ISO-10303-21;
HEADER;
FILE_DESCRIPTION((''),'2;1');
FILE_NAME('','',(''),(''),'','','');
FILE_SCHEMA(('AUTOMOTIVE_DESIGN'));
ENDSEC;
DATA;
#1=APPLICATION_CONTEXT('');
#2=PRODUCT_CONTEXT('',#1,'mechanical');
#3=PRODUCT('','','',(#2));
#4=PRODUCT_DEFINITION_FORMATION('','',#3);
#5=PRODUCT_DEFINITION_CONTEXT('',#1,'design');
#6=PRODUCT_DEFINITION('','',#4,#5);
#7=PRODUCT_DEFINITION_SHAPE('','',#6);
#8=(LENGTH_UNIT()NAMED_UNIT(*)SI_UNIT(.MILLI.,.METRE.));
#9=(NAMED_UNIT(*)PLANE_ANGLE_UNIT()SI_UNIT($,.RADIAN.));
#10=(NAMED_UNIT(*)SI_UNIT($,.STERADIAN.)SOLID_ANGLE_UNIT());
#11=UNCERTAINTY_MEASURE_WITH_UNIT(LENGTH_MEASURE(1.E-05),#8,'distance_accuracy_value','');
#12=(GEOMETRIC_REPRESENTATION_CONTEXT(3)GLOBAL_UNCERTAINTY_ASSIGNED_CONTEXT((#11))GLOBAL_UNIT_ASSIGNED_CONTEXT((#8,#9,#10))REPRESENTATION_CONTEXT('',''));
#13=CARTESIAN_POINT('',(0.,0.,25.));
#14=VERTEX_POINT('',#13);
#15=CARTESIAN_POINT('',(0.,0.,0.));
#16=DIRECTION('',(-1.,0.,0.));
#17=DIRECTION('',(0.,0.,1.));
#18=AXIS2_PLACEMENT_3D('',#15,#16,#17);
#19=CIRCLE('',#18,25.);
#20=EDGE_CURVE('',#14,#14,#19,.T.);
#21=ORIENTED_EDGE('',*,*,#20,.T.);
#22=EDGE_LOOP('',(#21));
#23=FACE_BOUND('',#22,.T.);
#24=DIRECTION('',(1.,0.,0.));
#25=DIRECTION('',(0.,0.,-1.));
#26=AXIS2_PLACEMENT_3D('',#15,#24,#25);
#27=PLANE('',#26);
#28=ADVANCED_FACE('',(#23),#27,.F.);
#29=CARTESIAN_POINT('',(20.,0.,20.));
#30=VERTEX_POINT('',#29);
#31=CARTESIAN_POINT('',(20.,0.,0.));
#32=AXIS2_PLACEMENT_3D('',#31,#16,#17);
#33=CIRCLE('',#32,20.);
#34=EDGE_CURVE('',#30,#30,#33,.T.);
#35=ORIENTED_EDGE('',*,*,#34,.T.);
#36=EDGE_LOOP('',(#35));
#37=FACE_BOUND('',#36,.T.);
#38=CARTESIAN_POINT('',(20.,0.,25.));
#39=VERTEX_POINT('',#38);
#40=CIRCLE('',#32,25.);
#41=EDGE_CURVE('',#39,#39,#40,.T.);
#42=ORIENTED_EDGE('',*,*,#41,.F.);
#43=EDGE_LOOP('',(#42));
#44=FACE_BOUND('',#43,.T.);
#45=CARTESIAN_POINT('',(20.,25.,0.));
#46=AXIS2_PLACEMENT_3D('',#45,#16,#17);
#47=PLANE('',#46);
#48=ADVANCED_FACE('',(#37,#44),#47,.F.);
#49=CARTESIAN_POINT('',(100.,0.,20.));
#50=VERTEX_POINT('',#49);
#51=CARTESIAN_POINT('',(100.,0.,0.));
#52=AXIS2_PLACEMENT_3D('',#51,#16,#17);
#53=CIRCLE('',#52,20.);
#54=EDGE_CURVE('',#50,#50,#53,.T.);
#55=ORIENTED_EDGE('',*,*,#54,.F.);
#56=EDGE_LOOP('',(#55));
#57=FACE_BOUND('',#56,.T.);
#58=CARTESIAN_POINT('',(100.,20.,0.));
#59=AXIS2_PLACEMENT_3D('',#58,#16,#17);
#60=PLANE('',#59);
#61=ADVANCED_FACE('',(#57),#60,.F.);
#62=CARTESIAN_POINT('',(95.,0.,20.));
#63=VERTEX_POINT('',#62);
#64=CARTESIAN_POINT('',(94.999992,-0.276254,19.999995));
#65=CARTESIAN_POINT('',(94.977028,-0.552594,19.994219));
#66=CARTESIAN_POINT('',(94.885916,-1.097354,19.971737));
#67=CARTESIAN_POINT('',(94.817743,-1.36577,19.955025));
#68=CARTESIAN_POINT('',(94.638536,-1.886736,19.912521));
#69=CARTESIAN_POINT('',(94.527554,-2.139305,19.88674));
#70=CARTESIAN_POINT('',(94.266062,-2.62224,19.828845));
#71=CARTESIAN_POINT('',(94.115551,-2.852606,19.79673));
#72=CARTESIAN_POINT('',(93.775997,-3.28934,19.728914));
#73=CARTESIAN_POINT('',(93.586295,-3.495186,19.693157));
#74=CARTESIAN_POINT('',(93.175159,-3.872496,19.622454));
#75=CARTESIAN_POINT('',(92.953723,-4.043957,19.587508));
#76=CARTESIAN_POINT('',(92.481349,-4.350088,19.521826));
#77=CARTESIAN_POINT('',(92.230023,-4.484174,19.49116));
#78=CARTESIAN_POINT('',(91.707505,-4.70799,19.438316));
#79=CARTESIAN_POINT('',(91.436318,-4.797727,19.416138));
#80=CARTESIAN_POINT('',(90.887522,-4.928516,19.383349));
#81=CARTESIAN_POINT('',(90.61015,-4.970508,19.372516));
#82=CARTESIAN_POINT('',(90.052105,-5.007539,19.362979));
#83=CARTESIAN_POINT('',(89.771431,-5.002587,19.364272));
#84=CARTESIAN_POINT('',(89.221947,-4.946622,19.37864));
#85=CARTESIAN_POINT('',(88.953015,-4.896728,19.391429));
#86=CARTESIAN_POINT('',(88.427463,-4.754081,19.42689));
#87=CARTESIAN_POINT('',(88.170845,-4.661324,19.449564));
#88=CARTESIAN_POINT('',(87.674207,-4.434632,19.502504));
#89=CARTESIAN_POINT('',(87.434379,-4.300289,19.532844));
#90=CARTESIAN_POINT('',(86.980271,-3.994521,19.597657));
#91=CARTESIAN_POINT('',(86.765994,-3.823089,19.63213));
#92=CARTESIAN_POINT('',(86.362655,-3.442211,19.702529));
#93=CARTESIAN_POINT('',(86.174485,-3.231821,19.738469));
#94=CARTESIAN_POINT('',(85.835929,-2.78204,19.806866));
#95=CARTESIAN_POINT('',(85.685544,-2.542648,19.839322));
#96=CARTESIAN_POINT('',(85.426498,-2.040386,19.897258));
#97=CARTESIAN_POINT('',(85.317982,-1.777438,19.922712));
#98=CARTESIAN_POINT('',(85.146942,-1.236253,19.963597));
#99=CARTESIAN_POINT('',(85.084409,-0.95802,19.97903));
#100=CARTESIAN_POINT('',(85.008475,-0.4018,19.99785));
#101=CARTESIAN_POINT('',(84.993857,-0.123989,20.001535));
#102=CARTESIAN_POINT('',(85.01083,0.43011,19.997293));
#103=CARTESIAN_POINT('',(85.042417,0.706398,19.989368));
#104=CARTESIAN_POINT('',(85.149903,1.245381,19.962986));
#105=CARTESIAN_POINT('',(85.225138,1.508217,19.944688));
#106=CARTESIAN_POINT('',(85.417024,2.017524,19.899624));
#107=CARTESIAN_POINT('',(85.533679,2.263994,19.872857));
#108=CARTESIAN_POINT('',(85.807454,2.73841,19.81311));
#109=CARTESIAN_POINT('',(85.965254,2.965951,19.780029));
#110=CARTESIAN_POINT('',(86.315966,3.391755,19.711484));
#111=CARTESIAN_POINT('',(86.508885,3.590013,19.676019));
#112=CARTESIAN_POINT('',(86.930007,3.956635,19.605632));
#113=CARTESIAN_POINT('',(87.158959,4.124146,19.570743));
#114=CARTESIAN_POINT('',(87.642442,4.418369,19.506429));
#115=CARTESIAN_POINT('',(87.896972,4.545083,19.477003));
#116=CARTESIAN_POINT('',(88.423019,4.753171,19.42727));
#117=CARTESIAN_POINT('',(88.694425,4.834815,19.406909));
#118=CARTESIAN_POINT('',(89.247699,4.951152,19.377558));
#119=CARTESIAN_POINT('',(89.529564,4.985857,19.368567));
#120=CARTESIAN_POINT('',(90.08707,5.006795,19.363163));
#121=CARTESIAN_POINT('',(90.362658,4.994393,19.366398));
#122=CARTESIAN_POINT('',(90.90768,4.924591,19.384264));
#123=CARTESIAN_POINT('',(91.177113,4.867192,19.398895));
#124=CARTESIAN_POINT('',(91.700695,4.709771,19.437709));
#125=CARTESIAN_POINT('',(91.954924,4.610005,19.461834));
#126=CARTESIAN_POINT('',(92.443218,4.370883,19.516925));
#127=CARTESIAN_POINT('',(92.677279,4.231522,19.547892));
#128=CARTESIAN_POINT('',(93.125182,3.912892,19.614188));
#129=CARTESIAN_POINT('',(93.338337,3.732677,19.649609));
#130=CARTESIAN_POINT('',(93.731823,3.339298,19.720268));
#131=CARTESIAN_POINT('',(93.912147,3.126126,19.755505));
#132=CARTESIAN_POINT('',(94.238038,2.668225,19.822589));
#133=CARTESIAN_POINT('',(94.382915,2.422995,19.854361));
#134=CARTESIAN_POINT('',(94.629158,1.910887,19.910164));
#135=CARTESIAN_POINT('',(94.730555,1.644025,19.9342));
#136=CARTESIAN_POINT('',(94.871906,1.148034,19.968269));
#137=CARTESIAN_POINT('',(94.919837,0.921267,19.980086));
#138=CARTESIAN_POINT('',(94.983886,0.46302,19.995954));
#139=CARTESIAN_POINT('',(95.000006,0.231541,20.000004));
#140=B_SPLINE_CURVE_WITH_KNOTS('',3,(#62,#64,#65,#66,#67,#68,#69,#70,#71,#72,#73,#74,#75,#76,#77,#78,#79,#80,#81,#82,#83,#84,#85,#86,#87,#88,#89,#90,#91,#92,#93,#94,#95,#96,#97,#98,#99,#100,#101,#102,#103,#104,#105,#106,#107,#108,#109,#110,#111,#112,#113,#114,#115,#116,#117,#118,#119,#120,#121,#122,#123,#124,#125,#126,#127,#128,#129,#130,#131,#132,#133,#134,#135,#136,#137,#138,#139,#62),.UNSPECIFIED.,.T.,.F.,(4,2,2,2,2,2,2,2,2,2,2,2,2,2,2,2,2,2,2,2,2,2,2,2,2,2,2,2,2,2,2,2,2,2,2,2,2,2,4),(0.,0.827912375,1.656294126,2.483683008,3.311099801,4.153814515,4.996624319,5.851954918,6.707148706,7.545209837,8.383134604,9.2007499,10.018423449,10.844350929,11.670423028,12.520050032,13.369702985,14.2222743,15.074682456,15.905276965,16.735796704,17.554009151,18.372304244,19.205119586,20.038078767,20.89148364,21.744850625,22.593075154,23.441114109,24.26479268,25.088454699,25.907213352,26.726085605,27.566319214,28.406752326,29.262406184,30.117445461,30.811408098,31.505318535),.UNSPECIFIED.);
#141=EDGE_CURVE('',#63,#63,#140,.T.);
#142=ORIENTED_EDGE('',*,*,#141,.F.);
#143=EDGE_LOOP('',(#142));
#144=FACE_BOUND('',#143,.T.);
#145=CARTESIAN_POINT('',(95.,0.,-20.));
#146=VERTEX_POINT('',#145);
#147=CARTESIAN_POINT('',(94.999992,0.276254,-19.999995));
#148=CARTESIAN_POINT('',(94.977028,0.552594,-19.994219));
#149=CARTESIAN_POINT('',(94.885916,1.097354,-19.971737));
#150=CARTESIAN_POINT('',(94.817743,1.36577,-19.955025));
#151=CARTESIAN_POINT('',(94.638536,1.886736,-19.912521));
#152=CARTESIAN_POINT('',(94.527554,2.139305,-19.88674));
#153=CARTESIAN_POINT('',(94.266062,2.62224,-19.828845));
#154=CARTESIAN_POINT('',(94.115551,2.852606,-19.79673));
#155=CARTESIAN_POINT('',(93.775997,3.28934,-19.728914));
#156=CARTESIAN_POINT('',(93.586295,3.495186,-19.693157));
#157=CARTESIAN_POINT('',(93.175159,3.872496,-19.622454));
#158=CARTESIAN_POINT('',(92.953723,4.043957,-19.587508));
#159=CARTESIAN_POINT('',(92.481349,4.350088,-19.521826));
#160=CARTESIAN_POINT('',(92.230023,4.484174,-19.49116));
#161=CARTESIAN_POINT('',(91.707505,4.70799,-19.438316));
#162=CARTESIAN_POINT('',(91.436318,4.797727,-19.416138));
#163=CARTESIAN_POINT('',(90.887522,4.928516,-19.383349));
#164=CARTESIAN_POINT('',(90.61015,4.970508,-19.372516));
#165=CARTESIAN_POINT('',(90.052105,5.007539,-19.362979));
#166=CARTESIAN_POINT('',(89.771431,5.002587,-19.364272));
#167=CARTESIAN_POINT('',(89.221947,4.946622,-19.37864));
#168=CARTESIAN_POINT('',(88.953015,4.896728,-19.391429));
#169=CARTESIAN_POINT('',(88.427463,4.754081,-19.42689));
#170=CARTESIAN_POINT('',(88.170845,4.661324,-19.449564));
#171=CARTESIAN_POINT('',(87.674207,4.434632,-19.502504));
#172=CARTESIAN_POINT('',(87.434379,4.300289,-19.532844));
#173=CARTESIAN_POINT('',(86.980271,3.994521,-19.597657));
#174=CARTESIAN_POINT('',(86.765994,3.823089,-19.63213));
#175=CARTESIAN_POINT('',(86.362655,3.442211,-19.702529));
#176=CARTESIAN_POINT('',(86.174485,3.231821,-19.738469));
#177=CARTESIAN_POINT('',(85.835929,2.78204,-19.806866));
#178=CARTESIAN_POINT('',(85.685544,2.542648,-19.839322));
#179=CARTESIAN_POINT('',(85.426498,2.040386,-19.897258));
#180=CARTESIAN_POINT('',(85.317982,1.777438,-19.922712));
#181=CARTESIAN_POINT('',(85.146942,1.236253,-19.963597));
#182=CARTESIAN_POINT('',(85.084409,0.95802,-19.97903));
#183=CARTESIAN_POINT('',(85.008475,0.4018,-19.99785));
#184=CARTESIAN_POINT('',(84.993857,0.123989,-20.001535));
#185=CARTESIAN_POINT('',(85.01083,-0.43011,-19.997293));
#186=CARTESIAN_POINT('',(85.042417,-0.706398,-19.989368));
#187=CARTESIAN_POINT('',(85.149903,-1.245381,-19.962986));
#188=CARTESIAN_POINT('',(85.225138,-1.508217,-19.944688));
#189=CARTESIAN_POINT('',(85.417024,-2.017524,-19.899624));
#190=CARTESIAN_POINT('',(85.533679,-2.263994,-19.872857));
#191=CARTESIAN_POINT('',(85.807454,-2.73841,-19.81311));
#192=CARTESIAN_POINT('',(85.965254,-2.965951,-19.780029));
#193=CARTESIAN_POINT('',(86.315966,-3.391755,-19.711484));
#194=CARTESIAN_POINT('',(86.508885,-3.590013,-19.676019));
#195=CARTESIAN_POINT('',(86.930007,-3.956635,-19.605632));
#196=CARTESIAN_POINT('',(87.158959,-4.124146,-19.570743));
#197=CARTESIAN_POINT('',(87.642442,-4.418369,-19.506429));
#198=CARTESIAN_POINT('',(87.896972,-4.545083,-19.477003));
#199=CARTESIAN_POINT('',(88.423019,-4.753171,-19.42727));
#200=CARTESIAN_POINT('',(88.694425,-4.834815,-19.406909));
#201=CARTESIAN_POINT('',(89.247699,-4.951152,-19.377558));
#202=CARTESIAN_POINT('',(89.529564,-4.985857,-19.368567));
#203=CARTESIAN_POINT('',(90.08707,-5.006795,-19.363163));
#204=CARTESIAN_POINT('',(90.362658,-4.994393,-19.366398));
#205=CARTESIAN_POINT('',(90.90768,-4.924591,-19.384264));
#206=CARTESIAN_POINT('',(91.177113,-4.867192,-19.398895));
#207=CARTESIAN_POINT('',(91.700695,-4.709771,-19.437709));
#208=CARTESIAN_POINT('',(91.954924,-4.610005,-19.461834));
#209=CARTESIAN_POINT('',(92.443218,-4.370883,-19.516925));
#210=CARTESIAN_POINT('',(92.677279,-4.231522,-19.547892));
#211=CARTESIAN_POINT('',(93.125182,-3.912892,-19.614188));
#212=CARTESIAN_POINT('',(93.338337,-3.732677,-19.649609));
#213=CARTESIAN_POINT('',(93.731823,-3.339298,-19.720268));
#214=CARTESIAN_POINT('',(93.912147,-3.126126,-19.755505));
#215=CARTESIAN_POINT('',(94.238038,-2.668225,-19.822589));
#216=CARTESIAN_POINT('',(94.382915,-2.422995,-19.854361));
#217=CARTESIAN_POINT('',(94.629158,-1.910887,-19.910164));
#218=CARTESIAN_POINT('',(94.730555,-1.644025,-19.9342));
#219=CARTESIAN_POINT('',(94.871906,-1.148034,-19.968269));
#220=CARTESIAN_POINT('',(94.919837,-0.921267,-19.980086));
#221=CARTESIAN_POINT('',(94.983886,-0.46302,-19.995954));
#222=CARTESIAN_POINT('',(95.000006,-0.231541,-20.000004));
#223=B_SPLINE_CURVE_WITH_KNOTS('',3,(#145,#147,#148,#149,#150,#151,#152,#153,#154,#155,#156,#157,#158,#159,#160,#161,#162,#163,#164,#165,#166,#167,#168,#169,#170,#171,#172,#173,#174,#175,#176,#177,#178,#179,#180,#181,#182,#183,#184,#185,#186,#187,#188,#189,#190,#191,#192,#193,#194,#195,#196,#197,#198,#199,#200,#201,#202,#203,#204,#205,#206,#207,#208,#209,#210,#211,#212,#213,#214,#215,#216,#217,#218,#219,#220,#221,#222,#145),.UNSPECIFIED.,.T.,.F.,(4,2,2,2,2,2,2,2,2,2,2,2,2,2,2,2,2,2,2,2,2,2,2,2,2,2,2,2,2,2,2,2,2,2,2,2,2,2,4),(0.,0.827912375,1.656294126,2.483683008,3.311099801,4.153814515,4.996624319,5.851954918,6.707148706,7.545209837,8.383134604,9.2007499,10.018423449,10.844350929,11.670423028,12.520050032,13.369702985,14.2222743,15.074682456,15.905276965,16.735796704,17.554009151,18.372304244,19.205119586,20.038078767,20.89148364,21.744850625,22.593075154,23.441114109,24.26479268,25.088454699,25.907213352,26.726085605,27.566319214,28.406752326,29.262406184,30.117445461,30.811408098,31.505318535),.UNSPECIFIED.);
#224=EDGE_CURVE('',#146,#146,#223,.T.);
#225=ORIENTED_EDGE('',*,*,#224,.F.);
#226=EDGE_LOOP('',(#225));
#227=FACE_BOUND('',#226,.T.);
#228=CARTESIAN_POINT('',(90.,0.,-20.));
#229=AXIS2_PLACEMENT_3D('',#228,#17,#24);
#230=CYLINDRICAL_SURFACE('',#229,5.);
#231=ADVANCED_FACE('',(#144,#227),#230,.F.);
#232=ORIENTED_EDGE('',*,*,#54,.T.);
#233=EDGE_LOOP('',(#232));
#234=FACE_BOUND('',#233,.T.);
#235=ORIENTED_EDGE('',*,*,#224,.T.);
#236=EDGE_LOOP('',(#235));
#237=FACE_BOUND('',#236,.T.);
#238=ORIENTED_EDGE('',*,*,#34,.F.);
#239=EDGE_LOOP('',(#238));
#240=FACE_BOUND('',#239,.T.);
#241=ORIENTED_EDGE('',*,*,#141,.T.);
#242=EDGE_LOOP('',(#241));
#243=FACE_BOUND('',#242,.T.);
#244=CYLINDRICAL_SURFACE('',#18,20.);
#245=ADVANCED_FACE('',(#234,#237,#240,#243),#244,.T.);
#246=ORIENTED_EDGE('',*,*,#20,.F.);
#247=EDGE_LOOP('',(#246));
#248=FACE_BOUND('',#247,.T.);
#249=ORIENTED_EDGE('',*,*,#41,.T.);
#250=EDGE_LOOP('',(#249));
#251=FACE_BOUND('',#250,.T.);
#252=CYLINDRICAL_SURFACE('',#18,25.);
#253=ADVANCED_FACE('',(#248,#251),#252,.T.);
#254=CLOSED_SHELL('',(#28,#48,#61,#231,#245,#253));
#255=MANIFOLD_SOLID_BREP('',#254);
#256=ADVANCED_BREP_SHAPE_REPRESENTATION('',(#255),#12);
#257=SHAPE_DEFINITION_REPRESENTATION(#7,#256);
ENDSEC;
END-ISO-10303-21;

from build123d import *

# Parameters (mm, degrees)
IZIM2_R               = 5
KES_EKSTR_ZYON1_DEPTH = 20


with BuildPart() as part:
    # Çizim1 → Döndür1 (revolve)
    with BuildSketch(Plane.XY, mode=Mode.PRIVATE) as d_nd_r1_sk:
        Polygon((0, 0), (0, 25), (20, 25), (20, 20), (100, 20), (100, 0), align=None)
    revolve(d_nd_r1_sk.sketch.rotate(Axis((0, 0, 0), (1, 0, 0)), 90), axis=Axis((0, 0, 0), (1, 0, 0)))

    # Çizim2 → Kes-Ekstrüzyon1 (cut, symmetric)
    with BuildSketch(Plane.XY):
        with Locations((90, 0)):
            Circle(IZIM2_R)
    extrude(amount=KES_EKSTR_ZYON1_DEPTH, both=True, mode=Mode.SUBTRACT)


solid = part.part
